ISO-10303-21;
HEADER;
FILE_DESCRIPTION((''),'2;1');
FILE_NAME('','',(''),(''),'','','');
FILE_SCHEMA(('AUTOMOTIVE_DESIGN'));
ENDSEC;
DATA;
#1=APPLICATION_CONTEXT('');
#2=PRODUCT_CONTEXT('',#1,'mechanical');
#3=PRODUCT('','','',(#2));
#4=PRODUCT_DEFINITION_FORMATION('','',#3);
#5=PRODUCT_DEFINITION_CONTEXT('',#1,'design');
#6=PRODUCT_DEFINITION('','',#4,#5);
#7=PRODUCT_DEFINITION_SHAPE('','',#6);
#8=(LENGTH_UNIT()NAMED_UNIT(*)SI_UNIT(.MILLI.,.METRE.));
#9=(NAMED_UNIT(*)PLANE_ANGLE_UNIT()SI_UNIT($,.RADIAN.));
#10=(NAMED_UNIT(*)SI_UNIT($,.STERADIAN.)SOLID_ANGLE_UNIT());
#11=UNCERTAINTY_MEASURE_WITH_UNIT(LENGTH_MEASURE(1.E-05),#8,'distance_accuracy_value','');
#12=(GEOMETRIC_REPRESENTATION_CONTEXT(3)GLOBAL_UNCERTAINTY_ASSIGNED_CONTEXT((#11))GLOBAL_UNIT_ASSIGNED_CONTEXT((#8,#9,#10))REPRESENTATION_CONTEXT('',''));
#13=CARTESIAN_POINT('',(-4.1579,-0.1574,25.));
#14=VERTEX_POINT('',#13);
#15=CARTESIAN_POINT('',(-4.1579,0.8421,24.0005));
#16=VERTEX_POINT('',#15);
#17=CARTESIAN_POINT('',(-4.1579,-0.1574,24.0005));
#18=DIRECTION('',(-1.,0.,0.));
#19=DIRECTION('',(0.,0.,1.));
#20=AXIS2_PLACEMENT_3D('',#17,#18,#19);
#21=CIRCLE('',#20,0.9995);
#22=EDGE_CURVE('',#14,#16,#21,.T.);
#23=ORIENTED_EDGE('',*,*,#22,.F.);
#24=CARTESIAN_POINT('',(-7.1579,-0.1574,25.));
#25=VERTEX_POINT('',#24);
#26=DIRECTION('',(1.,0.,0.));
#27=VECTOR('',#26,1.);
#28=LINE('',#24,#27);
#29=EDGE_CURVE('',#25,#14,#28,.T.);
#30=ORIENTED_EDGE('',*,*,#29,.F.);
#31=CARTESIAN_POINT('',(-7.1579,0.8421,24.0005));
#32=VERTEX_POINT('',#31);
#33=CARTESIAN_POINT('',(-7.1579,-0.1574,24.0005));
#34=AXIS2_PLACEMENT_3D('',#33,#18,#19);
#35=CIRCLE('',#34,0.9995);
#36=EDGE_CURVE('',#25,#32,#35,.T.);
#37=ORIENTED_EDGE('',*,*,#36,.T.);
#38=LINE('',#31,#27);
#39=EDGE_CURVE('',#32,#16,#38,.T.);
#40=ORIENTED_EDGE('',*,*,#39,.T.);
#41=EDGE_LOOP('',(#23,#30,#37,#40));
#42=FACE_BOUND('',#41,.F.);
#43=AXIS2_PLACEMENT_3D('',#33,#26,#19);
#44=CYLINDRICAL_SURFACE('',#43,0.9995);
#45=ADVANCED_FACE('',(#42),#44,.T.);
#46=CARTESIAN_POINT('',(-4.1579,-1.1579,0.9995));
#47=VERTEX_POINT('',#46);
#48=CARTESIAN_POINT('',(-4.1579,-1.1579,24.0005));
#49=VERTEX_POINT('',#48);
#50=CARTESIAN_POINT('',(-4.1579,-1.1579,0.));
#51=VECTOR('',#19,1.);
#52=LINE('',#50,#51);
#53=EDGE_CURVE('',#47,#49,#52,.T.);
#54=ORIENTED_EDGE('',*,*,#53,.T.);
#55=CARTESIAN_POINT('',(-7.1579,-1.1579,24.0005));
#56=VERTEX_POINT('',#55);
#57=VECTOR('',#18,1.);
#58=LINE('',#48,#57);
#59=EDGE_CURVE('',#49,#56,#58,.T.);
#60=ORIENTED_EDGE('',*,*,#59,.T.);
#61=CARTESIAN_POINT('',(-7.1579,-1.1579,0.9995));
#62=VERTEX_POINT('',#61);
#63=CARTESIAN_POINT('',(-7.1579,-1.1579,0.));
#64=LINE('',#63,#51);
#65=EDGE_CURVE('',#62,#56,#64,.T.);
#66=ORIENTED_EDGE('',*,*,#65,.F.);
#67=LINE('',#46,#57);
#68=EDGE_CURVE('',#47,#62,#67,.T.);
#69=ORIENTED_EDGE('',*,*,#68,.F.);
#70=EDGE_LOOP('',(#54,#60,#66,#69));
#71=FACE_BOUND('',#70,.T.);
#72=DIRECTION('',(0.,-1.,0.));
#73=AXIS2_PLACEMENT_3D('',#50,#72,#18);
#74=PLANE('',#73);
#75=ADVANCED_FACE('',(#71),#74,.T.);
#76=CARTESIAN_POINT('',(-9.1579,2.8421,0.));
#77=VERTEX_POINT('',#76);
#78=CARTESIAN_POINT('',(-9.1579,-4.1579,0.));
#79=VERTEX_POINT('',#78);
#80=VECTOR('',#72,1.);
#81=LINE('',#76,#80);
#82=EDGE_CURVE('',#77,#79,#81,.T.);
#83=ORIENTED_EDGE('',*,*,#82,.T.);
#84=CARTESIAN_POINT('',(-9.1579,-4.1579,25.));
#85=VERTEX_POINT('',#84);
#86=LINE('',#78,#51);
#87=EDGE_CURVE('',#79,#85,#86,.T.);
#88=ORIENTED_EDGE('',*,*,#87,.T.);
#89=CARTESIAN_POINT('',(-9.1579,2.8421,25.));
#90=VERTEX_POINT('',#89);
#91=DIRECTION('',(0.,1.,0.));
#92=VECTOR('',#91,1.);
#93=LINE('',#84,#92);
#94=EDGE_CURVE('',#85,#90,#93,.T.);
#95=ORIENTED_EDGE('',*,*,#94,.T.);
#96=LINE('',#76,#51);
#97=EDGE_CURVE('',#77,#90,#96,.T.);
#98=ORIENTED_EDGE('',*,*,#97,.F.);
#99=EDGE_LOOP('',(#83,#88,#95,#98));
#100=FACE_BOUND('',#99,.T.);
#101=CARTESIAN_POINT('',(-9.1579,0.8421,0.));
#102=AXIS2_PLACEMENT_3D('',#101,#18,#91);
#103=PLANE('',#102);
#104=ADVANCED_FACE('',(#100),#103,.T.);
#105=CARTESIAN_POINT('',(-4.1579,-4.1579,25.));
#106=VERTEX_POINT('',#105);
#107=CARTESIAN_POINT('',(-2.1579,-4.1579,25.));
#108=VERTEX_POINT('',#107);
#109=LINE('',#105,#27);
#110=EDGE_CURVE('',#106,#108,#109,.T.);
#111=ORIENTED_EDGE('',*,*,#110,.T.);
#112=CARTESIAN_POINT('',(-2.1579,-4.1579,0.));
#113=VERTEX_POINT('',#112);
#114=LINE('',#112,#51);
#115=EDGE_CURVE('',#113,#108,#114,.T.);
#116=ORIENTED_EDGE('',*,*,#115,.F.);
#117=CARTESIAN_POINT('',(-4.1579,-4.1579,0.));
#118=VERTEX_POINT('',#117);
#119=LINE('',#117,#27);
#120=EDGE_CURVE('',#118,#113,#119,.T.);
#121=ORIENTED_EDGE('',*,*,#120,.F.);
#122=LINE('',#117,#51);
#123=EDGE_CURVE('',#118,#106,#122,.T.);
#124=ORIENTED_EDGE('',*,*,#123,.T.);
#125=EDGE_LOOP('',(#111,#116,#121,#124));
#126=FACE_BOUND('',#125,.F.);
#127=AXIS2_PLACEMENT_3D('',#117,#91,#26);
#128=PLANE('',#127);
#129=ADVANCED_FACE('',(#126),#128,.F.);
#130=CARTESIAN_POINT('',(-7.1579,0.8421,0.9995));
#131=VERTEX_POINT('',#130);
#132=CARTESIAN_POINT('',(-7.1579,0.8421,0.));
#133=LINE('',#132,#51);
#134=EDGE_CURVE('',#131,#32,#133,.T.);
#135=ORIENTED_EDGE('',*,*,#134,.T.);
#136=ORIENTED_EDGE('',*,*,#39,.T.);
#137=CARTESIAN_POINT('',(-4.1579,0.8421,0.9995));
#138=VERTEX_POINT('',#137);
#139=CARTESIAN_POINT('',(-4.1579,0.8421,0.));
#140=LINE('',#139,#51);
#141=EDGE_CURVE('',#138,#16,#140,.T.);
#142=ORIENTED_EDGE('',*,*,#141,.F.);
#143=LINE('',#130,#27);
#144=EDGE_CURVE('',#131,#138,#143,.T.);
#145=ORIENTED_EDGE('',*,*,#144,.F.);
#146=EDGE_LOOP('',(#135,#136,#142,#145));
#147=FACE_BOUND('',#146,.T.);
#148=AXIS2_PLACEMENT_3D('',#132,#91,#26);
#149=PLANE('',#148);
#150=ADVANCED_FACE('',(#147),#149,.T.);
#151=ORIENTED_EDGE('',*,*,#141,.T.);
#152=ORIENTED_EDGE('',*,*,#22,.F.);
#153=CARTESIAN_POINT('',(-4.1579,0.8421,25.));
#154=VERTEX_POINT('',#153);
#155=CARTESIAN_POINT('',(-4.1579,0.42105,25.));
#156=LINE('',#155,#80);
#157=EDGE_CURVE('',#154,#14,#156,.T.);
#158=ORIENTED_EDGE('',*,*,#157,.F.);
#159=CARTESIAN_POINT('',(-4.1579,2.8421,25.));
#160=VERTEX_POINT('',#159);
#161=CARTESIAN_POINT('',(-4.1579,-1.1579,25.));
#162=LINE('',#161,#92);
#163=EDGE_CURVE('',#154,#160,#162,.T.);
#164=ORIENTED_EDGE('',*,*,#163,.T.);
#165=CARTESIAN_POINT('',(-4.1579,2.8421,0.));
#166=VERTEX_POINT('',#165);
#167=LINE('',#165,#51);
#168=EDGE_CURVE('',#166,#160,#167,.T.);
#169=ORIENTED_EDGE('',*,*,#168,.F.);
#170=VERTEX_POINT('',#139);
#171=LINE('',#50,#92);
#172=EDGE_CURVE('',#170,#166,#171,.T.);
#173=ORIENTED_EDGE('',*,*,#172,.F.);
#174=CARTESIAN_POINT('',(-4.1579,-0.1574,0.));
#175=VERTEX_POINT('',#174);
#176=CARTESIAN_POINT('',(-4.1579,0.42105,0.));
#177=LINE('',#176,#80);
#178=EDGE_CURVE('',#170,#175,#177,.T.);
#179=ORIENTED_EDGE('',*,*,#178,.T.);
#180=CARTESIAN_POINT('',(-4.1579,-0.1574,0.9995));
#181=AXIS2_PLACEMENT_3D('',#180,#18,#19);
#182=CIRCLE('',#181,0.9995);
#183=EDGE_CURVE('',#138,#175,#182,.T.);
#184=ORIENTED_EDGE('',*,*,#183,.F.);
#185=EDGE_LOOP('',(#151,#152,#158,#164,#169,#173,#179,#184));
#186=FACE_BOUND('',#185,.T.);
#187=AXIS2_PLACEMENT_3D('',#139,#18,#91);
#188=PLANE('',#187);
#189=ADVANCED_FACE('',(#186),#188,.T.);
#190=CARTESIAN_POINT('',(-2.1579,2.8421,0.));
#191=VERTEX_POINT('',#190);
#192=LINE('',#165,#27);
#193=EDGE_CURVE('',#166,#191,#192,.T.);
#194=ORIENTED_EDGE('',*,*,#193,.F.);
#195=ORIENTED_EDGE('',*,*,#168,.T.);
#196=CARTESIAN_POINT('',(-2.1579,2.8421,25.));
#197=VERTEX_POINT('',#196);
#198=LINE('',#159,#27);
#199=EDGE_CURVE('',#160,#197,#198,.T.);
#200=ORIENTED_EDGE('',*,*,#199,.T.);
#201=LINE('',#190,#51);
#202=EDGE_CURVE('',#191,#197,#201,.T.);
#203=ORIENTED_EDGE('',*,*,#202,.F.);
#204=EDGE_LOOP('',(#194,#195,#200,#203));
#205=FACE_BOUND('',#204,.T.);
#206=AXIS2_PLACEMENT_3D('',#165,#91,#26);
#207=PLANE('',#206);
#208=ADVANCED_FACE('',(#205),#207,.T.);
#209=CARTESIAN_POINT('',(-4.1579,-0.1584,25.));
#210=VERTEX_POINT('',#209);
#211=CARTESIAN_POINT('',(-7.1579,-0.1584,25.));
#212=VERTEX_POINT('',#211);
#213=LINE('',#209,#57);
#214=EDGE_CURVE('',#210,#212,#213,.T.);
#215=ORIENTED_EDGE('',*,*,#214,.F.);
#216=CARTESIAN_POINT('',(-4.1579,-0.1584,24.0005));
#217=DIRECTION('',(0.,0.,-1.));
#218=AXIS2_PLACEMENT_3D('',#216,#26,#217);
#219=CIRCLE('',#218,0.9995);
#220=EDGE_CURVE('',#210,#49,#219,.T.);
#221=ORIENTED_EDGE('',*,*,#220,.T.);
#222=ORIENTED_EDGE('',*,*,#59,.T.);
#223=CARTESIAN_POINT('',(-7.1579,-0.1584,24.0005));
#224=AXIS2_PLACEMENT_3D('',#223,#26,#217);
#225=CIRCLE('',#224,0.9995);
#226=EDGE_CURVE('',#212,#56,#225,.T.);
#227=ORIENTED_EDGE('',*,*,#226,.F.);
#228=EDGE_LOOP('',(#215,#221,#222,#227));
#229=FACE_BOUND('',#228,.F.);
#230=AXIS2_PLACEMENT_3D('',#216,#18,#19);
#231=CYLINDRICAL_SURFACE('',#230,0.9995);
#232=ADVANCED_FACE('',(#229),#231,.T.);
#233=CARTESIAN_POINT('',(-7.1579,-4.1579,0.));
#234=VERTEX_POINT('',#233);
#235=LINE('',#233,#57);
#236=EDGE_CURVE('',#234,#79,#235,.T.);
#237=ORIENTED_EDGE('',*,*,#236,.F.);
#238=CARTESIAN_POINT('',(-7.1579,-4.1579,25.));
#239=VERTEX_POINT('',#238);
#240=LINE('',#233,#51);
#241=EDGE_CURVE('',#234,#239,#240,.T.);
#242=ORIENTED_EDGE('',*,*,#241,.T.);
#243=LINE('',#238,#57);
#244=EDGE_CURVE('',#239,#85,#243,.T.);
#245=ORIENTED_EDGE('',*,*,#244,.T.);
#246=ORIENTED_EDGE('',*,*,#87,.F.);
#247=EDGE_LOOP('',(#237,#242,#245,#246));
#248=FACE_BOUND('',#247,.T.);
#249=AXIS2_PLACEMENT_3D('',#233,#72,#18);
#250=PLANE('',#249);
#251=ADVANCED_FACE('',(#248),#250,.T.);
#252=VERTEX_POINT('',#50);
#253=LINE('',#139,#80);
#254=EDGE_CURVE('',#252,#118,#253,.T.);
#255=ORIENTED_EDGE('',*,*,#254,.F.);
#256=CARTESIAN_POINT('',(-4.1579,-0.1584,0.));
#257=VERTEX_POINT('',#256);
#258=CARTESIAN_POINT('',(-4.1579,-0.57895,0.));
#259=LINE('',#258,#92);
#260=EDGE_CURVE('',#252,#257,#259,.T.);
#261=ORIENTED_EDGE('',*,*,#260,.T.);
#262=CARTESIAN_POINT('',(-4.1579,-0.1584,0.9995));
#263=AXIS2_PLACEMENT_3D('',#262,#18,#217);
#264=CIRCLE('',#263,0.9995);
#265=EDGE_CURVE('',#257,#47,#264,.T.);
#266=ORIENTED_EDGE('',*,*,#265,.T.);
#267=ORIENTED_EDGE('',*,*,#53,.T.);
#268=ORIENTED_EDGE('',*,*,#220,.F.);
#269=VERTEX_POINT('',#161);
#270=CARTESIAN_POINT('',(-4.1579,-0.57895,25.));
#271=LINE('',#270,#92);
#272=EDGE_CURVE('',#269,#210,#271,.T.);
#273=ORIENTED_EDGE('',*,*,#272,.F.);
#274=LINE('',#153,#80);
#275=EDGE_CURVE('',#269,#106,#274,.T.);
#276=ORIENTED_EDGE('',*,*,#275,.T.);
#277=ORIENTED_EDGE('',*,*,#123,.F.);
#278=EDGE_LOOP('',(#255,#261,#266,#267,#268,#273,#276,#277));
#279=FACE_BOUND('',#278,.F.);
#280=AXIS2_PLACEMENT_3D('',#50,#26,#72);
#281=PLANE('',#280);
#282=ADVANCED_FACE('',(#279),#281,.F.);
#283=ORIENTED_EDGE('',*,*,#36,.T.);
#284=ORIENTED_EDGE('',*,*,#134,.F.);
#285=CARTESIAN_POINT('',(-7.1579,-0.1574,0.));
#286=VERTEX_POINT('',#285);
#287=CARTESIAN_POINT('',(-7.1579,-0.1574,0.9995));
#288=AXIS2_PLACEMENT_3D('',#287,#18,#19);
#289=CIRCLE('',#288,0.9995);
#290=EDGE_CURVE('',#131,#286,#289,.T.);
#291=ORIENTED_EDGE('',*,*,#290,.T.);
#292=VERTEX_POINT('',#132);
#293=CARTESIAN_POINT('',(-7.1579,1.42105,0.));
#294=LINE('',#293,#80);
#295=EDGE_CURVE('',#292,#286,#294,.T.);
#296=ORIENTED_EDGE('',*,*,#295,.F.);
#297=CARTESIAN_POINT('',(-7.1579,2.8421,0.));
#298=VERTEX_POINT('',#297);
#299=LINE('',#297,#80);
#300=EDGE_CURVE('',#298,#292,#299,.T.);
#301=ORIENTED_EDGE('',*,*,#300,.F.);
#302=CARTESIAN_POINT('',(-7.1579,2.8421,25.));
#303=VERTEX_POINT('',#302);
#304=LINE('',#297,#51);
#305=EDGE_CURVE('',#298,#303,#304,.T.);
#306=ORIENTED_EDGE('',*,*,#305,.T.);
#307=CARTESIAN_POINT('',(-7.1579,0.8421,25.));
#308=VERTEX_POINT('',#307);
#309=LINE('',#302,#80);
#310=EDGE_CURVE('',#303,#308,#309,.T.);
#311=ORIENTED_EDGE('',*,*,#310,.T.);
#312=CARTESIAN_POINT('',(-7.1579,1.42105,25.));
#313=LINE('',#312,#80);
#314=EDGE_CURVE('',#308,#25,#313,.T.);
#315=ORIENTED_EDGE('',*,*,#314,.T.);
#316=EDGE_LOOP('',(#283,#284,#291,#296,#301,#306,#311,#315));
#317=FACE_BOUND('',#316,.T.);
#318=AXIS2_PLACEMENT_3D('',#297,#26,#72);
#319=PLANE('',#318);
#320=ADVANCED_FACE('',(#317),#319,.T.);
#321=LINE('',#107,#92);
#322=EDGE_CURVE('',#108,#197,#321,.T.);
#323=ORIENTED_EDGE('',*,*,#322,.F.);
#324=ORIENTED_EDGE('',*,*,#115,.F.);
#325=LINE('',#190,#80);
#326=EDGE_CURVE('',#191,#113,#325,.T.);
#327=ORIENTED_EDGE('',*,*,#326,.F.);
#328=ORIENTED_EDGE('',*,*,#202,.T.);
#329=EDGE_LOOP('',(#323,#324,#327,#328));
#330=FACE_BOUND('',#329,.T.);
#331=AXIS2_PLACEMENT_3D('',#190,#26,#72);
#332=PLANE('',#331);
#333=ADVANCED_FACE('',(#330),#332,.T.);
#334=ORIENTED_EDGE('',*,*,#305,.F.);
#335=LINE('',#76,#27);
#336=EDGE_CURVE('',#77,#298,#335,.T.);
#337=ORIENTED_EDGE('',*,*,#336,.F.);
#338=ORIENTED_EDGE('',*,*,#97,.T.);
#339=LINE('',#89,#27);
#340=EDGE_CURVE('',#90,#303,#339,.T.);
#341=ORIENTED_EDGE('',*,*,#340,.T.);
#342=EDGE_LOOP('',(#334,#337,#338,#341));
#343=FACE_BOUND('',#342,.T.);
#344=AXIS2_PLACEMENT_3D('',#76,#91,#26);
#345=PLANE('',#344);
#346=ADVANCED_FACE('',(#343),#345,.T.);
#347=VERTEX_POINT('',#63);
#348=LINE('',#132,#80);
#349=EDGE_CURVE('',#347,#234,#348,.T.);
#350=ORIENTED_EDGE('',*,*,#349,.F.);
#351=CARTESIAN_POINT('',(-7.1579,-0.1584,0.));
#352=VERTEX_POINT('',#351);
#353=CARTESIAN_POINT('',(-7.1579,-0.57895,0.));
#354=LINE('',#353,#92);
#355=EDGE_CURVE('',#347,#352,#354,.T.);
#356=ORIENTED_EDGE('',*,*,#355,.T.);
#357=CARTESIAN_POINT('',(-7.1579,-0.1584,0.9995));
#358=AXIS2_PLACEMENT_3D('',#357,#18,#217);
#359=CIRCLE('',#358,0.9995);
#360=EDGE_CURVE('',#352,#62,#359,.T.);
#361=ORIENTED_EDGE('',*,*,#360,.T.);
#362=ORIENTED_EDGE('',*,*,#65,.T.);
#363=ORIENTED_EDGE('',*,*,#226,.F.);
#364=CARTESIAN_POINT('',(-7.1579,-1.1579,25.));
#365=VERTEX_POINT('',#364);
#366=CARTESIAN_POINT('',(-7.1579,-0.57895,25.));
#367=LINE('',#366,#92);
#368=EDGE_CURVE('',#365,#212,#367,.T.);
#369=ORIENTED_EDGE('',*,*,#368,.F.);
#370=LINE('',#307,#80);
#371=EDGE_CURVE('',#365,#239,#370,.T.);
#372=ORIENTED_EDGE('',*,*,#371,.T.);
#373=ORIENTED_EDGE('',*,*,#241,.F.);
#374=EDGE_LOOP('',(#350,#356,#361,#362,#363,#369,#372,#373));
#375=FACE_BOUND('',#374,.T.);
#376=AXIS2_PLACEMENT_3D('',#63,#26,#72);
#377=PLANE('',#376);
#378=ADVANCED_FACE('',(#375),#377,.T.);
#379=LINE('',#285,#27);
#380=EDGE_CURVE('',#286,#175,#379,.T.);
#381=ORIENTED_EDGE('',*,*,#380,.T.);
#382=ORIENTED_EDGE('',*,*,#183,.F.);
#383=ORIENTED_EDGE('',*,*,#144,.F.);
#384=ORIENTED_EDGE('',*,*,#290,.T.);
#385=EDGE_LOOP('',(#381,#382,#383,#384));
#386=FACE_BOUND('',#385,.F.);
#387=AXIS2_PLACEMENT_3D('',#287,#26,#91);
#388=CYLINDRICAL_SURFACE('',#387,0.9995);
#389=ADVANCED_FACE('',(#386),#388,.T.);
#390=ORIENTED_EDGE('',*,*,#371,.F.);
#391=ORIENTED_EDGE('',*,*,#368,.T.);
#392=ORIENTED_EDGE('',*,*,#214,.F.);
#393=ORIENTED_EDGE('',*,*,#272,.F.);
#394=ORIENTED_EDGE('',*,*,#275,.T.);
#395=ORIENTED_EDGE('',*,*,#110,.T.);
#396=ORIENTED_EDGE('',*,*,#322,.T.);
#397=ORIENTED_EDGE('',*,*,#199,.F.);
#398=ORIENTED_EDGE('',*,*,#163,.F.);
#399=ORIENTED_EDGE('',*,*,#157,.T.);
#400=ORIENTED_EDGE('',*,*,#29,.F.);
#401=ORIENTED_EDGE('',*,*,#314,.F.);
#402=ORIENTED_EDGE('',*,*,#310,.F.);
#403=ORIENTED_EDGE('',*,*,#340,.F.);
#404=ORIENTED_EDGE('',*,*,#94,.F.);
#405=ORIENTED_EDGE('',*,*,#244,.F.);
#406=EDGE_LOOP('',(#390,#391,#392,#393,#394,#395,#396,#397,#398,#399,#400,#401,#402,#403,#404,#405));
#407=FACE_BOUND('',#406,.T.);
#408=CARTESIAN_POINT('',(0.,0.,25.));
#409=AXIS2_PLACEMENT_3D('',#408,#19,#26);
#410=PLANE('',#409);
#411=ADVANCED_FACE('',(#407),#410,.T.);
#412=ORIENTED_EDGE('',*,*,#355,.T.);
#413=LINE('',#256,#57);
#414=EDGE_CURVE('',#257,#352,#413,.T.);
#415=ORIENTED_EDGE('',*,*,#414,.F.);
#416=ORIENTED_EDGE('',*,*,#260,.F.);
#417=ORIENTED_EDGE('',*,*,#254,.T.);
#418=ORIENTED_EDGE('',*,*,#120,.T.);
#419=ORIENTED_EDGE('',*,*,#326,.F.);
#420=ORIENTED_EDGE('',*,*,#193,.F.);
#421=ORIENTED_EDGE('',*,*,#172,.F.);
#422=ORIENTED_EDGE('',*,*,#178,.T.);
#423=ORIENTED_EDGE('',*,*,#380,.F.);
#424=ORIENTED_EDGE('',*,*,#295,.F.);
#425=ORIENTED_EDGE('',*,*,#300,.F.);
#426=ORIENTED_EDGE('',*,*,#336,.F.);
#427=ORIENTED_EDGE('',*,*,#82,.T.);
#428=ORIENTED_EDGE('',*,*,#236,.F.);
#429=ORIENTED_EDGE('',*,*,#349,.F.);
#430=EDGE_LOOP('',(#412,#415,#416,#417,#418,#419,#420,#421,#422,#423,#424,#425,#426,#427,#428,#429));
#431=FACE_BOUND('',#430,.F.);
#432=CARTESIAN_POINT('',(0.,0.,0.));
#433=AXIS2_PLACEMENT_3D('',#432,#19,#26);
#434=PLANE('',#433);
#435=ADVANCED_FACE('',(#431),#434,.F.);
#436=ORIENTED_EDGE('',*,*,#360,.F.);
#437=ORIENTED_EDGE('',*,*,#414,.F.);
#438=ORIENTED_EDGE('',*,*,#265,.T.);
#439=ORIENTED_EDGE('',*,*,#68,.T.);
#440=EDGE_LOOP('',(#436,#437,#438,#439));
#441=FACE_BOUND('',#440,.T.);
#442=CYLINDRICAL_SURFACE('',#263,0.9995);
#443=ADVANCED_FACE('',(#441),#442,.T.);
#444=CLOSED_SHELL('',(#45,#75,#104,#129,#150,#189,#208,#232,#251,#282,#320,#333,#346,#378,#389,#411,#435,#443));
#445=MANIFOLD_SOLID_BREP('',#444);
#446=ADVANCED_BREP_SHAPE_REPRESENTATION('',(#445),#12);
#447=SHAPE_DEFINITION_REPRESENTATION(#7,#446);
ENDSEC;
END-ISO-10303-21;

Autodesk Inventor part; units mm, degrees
ref_plane "YZ Plane" through (0, 0, 0) normal (1, 0, 0) x (0, 1, 0)
ref_plane "XZ Plane" through (0, 0, 0) normal (0, 1, 0) x (-1, 0, 0)
ref_plane "XY Plane" through (0, 0, 0) normal (0, 0, 1) x (1, 0, 0)
sketch "Sketch1" plane through (0, 0, 0) normal (0, 0, 1) x (1, 0, 0)
  line L0 (-9.1579, 2.8421) -> (-7.1579, 2.8421)
  line L1 (-7.1579, 2.8421) -> (-7.1579, -1.1579)
  line L2 (-7.1579, -1.1579) -> (-9.1579, -1.1579)
  line L3 (-9.1579, -1.1579) -> (-9.1579, 2.8421)
  line L4 (-9.1579, 0.8421) -> (-2.1579, 0.8421)
  line L5 (-2.1579, 0.8421) -> (-2.1579, -1.1579)
  line L6 (-2.1579, -1.1579) -> (-9.1579, -1.1579)
  line L7 (-9.1579, -1.1579) -> (-9.1579, 0.8421)
  line L8 (-2.1579, -1.1579) -> (-4.1579, -1.1579)
  line L9 (-4.1579, -1.1579) -> (-4.1579, 2.8421)
  line L10 (-4.1579, 2.8421) -> (-2.1579, 2.8421)
  line L11 (-2.1579, 2.8421) -> (-2.1579, -1.1579)
  line L12 (-9.1579, 0.8421) -> (-7.1579, 0.8421)
  line L13 (-7.1579, 0.8421) -> (-7.1579, -4.1579)
  line L14 (-7.1579, -4.1579) -> (-9.1579, -4.1579)
  line L15 (-9.1579, -4.1579) -> (-9.1579, 0.8421)
  line L16 (-2.1579, 0.8421) -> (-4.1579, 0.8421)
  line L17 (-4.1579, 0.8421) -> (-4.1579, -4.1579)
  line L18 (-4.1579, -4.1579) -> (-2.1579, -4.1579)
  line L19 (-2.1579, -4.1579) -> (-2.1579, 0.8421)
  point P0 (0, 0)
  dimension "d0" = 2
  dimension "d1" = 2
  dimension "d2" = 3
  dimension "d3" = 3
  dimension "d4" = 2
  dimension "d5" = 2
extrude "Extrusion1" add sketch "Sketch1" along normal blind 25
fillet "Fillet1" radius 1 2 edges at (-5.6579, 0.8421, 25) (-5.6579, -1.1579, 25)
fillet "Fillet2" radius 1 2 edges at (-5.6579, 0.8421, 0) (-5.6579, -1.1579, 0)
properties part number "Cable Sliding Assistor"
